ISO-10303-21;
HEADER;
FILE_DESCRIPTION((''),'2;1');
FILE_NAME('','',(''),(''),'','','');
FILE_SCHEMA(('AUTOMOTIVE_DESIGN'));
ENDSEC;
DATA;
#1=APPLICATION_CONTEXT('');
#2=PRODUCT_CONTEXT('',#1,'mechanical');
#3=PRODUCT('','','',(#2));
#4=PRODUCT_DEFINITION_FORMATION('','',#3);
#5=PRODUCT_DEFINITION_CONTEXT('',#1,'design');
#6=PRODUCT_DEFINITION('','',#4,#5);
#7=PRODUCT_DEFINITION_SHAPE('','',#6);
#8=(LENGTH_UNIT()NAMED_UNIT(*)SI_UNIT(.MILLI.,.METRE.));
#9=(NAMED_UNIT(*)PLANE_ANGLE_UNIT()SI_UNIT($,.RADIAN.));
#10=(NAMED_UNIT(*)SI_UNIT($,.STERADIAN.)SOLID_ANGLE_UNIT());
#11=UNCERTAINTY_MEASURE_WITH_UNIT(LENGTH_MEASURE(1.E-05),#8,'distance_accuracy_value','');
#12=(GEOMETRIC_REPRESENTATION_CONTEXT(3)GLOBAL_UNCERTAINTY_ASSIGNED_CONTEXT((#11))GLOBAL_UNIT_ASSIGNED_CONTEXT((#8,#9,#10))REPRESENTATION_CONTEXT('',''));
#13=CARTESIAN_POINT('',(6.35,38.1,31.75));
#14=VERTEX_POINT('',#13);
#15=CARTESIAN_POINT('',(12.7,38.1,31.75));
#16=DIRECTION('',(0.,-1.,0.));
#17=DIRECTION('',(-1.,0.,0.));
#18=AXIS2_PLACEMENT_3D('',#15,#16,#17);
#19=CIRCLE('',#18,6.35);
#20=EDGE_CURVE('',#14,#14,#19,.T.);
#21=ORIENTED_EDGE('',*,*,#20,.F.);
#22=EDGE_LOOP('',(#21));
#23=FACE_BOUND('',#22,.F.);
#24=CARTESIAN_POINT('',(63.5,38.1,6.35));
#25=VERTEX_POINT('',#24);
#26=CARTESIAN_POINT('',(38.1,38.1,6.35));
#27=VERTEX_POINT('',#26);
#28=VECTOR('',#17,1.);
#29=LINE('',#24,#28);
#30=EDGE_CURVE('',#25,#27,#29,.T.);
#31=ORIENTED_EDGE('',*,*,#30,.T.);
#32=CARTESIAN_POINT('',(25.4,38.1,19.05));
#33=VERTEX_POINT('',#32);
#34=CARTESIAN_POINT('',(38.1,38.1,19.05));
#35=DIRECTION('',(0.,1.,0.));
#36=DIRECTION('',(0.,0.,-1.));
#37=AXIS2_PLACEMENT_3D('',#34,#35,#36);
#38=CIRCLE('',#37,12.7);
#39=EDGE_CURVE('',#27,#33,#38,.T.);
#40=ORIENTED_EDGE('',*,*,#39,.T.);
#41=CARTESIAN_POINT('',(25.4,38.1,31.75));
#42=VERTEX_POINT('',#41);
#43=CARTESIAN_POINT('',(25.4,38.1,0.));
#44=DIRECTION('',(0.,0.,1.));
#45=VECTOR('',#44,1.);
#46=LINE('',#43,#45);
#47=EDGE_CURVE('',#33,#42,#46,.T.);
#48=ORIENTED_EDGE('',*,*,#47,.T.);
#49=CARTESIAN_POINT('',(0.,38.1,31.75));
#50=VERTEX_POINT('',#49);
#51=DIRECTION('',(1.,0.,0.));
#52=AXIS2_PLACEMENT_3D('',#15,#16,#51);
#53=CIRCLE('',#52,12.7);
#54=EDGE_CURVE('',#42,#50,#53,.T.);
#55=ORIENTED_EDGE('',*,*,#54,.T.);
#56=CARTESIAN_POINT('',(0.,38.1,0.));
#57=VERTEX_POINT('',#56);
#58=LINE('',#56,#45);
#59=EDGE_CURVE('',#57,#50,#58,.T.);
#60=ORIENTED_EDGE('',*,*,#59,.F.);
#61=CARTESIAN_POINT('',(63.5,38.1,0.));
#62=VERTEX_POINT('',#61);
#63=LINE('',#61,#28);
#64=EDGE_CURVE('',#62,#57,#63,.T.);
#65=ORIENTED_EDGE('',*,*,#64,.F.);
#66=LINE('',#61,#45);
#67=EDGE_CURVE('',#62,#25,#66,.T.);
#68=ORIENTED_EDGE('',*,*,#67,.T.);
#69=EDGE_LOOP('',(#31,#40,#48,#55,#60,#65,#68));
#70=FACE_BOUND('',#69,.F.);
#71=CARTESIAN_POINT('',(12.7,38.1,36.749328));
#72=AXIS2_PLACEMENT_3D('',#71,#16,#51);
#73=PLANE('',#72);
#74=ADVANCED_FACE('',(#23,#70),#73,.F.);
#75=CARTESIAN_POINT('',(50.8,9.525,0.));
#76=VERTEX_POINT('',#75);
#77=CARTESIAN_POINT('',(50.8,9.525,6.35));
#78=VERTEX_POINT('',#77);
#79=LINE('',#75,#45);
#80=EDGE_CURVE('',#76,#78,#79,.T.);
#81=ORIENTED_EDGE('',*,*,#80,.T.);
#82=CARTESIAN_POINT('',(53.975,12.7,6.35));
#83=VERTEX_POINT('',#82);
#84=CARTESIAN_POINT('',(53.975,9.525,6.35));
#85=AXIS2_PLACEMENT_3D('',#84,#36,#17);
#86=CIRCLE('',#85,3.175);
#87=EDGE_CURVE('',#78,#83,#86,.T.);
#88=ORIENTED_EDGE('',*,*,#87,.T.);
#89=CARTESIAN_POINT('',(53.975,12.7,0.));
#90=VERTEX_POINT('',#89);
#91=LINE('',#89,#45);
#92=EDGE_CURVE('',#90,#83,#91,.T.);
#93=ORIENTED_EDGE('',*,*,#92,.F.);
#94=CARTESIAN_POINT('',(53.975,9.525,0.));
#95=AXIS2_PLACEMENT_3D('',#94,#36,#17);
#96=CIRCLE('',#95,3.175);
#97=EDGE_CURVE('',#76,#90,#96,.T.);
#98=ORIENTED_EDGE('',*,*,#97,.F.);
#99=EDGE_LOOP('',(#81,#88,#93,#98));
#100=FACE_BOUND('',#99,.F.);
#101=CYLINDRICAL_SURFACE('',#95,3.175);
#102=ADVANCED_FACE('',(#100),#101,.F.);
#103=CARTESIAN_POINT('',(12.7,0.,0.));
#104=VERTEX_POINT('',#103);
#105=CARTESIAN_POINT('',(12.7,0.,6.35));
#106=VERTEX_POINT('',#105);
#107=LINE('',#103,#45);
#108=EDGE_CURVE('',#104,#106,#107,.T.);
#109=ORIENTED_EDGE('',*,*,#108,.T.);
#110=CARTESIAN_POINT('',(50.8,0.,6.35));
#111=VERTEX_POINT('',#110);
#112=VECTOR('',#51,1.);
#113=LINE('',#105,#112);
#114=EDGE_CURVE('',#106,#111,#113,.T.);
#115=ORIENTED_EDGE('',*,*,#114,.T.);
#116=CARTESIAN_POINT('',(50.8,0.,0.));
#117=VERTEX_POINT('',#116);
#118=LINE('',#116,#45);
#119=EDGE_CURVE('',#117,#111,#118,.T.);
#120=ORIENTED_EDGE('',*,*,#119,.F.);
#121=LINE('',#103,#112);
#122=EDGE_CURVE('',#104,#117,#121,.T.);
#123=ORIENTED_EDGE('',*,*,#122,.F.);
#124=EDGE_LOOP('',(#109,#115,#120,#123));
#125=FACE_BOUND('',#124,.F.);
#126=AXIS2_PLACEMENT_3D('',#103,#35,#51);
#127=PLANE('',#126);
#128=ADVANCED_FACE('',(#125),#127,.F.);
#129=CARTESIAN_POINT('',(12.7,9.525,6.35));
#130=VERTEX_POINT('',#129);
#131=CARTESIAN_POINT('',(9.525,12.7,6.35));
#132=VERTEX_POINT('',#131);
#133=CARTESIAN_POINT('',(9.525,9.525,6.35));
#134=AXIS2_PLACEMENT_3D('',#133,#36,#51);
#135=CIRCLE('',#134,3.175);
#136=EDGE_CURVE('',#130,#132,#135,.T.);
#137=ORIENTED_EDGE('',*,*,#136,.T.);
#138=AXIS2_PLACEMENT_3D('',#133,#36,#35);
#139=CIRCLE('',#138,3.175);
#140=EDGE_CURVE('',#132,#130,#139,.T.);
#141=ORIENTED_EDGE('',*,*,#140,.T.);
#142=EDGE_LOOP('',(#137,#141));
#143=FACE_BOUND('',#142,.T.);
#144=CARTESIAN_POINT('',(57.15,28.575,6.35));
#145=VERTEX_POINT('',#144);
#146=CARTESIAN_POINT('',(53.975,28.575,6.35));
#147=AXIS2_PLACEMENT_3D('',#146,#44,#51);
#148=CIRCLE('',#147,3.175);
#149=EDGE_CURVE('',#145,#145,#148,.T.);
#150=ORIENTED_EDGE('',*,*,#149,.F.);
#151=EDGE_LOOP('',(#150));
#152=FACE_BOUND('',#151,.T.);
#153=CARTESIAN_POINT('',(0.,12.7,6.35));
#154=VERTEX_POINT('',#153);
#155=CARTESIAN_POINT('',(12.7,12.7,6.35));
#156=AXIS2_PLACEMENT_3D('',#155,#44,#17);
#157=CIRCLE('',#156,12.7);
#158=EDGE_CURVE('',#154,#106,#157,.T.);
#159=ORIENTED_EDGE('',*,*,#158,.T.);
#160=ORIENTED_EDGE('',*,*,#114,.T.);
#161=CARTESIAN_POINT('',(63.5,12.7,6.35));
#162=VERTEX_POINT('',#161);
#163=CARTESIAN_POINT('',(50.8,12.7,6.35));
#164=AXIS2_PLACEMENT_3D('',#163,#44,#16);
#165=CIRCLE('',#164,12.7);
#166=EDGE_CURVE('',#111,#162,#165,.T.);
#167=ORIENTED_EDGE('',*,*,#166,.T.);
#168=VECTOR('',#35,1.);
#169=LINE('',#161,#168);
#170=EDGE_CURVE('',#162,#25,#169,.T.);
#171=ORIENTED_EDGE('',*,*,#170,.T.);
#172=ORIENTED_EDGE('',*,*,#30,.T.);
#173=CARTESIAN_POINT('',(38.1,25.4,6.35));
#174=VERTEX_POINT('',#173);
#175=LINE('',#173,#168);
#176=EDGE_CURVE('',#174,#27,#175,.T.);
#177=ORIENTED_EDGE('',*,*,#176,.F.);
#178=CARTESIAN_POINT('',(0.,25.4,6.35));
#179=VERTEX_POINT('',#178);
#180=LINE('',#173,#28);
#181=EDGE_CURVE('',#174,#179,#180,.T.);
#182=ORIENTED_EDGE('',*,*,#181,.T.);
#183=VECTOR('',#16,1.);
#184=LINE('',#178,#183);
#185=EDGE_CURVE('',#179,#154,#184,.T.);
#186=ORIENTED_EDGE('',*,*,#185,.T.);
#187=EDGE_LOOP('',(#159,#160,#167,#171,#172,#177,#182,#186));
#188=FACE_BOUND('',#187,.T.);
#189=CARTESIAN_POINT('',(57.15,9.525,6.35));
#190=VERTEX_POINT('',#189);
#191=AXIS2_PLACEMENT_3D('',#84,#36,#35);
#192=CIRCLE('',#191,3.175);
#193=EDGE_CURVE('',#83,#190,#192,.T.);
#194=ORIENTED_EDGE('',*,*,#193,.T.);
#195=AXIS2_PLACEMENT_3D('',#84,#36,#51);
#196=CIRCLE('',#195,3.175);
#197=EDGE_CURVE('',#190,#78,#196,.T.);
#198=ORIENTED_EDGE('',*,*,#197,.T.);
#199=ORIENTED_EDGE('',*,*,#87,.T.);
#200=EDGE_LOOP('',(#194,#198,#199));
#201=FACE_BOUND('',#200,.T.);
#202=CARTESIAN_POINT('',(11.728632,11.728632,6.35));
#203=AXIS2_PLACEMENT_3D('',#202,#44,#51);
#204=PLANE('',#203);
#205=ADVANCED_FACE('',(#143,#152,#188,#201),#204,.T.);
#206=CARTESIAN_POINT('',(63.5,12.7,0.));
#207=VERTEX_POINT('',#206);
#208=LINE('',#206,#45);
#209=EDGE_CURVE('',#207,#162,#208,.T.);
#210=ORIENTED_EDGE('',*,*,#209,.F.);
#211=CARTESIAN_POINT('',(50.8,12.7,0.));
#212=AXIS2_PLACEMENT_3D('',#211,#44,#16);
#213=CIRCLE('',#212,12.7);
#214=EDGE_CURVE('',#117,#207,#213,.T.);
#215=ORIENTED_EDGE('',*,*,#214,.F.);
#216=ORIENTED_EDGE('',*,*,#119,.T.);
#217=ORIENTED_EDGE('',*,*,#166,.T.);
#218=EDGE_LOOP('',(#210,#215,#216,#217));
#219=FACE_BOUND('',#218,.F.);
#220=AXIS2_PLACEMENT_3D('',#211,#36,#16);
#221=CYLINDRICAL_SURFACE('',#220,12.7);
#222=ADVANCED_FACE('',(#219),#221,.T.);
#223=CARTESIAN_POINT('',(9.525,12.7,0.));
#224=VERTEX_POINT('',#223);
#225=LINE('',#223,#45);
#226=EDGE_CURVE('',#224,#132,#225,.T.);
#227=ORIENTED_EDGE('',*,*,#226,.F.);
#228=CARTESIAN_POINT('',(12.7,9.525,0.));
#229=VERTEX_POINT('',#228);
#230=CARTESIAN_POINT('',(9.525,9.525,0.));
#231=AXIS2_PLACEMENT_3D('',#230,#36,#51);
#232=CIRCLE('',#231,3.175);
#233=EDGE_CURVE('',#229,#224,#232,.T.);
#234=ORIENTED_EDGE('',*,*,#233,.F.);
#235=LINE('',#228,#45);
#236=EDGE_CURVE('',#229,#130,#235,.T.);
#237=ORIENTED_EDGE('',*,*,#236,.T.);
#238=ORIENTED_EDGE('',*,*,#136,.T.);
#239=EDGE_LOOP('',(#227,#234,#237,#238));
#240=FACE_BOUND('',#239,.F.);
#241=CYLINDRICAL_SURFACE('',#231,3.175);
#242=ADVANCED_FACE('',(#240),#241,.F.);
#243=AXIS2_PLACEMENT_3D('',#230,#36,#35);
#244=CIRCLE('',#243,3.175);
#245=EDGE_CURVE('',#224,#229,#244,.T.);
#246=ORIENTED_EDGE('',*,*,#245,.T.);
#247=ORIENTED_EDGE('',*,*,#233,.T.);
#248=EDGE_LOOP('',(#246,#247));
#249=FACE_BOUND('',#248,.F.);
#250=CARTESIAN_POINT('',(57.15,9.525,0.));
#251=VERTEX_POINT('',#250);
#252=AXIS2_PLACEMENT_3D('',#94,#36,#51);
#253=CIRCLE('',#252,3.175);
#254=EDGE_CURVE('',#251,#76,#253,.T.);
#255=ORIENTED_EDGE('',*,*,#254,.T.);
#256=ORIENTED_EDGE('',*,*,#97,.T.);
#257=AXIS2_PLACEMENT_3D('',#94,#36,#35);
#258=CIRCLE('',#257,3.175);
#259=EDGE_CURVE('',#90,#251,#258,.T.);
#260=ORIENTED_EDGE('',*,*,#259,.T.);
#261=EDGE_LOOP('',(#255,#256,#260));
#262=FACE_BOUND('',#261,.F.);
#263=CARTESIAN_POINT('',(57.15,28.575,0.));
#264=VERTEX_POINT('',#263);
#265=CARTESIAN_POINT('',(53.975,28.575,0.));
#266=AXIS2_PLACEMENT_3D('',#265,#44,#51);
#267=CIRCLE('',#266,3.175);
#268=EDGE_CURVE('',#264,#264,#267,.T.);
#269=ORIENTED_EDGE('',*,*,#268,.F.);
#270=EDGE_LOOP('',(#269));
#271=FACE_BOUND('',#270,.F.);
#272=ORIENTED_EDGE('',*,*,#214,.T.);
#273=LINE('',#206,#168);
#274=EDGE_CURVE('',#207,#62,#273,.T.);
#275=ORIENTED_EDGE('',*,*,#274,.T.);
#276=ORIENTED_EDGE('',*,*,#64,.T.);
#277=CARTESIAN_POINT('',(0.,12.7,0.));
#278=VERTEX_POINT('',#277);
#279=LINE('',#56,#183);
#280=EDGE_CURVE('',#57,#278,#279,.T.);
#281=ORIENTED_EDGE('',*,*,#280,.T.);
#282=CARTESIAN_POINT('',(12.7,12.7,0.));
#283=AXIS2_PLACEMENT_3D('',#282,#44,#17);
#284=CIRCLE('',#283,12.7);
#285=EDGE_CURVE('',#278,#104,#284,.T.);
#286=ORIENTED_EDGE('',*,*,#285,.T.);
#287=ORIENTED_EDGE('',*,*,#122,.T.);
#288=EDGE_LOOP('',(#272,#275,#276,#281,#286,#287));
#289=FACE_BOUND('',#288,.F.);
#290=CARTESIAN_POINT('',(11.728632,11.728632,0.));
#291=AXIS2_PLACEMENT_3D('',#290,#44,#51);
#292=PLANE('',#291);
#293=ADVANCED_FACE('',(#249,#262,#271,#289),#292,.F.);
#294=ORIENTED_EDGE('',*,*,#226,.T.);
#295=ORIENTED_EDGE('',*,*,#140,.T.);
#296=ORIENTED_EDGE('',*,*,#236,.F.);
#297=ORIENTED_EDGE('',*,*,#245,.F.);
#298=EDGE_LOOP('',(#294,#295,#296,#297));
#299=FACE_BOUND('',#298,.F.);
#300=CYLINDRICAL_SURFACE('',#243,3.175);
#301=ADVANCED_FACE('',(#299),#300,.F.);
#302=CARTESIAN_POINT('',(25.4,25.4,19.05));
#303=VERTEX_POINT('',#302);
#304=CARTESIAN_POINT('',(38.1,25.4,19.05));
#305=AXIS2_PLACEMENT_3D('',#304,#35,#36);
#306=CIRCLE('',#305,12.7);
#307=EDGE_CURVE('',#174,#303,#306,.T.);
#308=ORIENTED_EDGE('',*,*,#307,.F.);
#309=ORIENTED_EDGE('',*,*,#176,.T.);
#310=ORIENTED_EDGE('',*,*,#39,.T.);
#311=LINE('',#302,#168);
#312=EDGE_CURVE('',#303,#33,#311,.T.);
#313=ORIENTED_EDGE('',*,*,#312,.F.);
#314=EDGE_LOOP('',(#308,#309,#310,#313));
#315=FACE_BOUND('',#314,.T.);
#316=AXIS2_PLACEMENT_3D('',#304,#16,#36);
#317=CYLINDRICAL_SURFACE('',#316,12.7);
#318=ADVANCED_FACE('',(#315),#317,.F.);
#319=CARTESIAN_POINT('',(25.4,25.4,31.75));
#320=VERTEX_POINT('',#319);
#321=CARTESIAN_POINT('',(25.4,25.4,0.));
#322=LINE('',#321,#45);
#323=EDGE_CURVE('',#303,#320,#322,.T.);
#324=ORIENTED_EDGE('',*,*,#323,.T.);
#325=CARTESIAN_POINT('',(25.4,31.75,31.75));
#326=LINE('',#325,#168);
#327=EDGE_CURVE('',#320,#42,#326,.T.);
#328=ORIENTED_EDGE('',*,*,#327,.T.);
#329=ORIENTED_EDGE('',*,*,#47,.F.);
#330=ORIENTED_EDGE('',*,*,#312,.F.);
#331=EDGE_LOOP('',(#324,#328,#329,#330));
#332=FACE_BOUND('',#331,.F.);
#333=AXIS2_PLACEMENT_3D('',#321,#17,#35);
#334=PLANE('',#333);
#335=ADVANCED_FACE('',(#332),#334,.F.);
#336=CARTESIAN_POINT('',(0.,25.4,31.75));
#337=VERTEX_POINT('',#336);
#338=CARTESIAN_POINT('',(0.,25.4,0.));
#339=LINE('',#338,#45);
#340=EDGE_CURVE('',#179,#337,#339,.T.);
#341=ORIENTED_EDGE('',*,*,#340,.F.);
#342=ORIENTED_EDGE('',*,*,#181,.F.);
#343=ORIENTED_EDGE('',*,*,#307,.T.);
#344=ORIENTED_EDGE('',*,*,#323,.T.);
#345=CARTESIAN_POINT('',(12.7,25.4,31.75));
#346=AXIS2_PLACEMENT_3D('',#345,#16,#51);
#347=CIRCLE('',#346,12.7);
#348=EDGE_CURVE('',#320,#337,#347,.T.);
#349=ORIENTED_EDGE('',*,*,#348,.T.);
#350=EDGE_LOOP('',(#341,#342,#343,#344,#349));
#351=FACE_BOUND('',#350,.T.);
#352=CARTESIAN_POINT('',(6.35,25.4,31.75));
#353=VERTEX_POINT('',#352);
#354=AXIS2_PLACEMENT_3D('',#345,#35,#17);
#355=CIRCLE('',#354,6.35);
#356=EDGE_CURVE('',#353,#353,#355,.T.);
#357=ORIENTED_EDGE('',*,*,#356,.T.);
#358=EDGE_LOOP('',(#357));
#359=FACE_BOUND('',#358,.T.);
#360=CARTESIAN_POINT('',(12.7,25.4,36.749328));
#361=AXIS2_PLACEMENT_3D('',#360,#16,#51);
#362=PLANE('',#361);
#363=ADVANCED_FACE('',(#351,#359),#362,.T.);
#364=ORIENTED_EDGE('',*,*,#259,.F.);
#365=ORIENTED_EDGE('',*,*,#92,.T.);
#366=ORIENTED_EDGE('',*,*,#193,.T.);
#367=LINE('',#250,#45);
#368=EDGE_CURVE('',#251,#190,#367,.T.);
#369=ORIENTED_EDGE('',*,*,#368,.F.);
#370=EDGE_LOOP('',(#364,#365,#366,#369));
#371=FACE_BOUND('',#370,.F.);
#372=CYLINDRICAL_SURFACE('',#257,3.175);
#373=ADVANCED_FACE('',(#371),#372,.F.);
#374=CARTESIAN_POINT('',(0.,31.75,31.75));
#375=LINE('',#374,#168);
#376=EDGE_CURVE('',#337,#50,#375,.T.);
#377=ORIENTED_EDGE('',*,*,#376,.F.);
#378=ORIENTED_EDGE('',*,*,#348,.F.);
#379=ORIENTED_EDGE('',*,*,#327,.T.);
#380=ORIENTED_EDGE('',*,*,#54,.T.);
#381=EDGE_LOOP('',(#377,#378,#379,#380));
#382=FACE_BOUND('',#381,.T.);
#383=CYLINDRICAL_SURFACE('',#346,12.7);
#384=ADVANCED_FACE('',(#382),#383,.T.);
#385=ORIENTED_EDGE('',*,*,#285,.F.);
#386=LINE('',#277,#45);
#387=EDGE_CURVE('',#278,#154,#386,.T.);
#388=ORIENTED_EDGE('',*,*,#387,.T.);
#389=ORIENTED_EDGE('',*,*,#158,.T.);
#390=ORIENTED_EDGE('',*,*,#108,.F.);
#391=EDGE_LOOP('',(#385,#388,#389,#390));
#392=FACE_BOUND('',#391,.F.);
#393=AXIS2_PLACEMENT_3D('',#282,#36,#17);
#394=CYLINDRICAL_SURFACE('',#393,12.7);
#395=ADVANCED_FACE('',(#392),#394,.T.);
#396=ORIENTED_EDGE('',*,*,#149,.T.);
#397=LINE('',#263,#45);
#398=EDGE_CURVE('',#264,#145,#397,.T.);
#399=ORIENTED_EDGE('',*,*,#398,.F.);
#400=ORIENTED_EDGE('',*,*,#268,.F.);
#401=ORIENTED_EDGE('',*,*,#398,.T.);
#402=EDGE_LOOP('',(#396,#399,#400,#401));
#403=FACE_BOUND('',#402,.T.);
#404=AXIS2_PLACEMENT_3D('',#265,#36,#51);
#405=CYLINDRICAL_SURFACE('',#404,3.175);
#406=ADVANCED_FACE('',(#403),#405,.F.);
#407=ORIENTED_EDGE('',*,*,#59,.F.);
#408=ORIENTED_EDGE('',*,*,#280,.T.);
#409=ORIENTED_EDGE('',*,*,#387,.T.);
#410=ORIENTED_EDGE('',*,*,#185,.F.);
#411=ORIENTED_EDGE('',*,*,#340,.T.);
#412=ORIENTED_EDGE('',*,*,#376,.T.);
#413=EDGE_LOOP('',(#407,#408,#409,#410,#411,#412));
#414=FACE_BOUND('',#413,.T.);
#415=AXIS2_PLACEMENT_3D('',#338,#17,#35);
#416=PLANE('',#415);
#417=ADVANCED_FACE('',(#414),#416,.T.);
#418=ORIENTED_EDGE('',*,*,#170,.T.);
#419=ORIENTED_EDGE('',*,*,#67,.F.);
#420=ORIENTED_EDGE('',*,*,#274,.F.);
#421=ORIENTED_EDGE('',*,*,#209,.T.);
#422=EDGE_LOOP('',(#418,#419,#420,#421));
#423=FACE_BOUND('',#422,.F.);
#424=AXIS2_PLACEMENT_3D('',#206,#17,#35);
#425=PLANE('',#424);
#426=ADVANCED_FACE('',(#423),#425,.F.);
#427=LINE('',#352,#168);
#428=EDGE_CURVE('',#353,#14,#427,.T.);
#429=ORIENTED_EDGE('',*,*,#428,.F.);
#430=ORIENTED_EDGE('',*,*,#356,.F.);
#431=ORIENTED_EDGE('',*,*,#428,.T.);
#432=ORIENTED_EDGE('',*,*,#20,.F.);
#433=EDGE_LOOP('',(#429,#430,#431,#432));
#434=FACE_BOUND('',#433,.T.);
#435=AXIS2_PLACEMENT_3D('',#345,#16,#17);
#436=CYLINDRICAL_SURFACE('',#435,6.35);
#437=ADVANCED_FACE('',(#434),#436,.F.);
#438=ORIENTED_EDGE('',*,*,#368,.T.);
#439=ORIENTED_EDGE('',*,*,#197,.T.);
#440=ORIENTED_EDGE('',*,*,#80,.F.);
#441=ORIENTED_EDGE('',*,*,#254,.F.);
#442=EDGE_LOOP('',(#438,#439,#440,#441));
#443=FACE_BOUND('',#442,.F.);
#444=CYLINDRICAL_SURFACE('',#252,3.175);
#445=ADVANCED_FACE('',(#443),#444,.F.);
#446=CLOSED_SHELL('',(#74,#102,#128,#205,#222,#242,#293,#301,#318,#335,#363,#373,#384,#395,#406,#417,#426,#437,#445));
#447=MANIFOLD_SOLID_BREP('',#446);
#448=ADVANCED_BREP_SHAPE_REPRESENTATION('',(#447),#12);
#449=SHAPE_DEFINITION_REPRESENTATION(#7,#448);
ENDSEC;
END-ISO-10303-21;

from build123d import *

# Parameters (mm, degrees)
F0_R     = 3.175
F1_DEPTH = 6.35
F0_W     = 25.4
F0_H     = 12.7
F2_DEPTH = 31.75
F4_DEPTH = 12.7
F5_DEPTH = 12.7
F6_DEPTH = 12.7
F7_DEPTH = 6.35


with BuildPart() as f1:
    # F0 (on Top) → F1 (new body)
    with BuildSketch(Plane.XY):
        Polygon((0, 25.4), (0, 12.7), (9.525, 12.7), (12.7, 12.7), (12.7, 9.525), (12.7, 0), (50.8, 0), (50.8, 9.525), (50.8, 12.7), (53.975, 12.7), (63.5, 12.7), (63.5, 38.1), (25.4, 38.1), (25.4, 25.4), align=None)
        with Locations((53.975, 28.575)):
            Circle(F0_R, mode=Mode.SUBTRACT)
        with BuildLine():
            Line((50.8, 9.525), (50.8, 0))
            ThreePointArc((50.8, 0), (59.7802561211, 3.7197438789), (63.5, 12.7))
            Line((63.5, 12.7), (53.975, 12.7))
            ThreePointArc((53.975, 12.7), (56.2200640303, 11.7700640303), (57.15, 9.525))
            ThreePointArc((57.15, 9.525), (53.975, 6.35), (50.8, 9.525))
        make_face()
        with BuildLine():
            Line((9.525, 12.7), (0, 12.7))
            ThreePointArc((0, 12.7), (3.7197438789, 3.7197438789), (12.7, 0))
            Line((12.7, 0), (12.7, 9.525))
            ThreePointArc((12.7, 9.525), (7.2799359697, 7.2799359697), (9.525, 12.7))
        make_face()
    extrude(amount=F1_DEPTH)

    # F0 (on Top) → F2 (join)
    with BuildSketch(Plane.XY):
        with Locations((12.7, 31.75)):
            Rectangle(F0_W, F0_H)
    extrude(amount=F2_DEPTH)

    # F3 (on face) → F4 (join)
    with BuildSketch(Plane.XZ.offset(-25.4)):
        with BuildLine():
            ThreePointArc((38.1, 6.35), (29.1197438789, 10.0697438789), (25.4, 19.05))
            Line((25.4, 19.05), (25.4, 6.35))
            Line((25.4, 6.35), (38.1, 6.35))
        make_face()
    extrude(amount=-F4_DEPTH)

    # F3 (on face) → F5 (cut)
    with BuildSketch(Plane.XZ.offset(-25.4)):
        with BuildLine():
            Line((6.35, 31.75), (19.05, 31.75))
            ThreePointArc((19.05, 31.75), (12.7, 38.1), (6.35, 31.75))
        make_face()
        with BuildLine():
            ThreePointArc((6.35, 31.75), (12.7, 25.4), (19.05, 31.75))
            Line((19.05, 31.75), (6.35, 31.75))
        make_face()
    extrude(amount=-F5_DEPTH, mode=Mode.SUBTRACT)

    # F3 (on face) → F6 (join)
    with BuildSketch(Plane.XZ.offset(-25.4)):
        with BuildLine():
            Line((19.05, 31.75), (25.4, 31.75))
            ThreePointArc((25.4, 31.75), (12.7, 44.45), (0, 31.75))
            Line((0, 31.75), (6.35, 31.75))
            ThreePointArc((6.35, 31.75), (12.7, 38.1), (19.05, 31.75))
        make_face()
    extrude(amount=-F6_DEPTH)

    # F0 (on Top) → F7 (join)
    with BuildSketch(Plane.XY):
        with BuildLine():
            Line((12.7, 12.7), (9.525, 12.7))
            ThreePointArc((9.525, 12.7), (11.7700640303, 11.7700640303), (12.7, 9.525))
            Line((12.7, 9.525), (12.7, 12.7))
        make_face()
        with BuildLine():
            Line((50.8, 12.7), (50.8, 9.525))
            ThreePointArc((50.8, 9.525), (51.7299359697, 11.7700640303), (53.975, 12.7))
            Line((53.975, 12.7), (50.8, 12.7))
        make_face()
    extrude(amount=F7_DEPTH)


solid = f1.part
